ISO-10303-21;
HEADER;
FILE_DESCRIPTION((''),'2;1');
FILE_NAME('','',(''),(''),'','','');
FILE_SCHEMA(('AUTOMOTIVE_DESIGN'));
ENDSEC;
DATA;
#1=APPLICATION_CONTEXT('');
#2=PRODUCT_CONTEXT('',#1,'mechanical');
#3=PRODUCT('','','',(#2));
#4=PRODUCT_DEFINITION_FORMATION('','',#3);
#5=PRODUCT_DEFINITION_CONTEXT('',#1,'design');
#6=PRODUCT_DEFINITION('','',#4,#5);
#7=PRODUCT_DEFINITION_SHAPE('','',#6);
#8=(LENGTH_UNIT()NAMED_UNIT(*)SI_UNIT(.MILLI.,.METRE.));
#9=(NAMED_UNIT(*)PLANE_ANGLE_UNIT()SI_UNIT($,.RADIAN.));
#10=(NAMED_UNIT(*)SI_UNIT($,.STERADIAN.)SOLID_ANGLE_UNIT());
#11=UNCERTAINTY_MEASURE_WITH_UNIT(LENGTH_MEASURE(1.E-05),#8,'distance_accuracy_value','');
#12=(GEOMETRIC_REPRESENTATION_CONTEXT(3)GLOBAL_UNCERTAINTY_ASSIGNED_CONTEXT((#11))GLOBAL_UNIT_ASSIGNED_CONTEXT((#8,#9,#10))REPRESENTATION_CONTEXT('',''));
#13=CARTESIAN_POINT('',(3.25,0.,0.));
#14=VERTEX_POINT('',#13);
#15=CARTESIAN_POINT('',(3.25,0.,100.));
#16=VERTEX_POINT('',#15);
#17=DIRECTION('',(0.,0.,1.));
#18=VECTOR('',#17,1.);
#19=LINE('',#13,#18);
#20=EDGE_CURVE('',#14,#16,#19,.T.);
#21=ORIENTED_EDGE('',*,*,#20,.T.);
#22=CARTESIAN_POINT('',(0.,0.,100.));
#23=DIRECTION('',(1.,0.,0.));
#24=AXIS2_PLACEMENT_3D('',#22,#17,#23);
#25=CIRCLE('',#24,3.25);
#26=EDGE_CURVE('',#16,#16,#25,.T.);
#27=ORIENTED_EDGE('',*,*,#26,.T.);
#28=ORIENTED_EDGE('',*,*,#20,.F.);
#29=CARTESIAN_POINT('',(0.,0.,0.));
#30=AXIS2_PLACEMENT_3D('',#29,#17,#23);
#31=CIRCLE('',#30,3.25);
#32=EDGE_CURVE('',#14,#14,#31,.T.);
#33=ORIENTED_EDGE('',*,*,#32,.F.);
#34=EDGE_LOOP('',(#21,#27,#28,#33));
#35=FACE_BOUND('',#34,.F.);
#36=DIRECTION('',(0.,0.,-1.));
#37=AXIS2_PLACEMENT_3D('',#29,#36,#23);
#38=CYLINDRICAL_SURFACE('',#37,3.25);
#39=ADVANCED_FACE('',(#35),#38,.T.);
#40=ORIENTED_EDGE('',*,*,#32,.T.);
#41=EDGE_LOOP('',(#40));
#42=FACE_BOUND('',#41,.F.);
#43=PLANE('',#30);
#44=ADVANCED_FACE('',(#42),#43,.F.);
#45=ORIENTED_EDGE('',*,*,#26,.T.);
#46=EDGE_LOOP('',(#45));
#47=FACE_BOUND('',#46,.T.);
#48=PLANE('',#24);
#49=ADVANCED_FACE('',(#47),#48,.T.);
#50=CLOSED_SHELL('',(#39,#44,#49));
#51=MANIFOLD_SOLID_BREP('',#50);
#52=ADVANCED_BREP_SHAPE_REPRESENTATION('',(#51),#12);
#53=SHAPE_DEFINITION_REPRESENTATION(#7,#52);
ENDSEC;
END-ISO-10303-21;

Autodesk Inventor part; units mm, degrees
ref_plane "YZ Plane" through (0, 0, 0) normal (1, 0, 0) x (0, 1, 0)
ref_plane "XZ Plane" through (0, 0, 0) normal (0, 1, 0) x (-1, 0, 0)
ref_plane "XY Plane" through (0, 0, 0) normal (0, 0, 1) x (1, 0, 0)
sketch "Sketch2" plane through (0, 0, 0) normal (0, 0, 1) x (1, 0, 0)
  circle A0 centre (0, 0) radius 3.25
  dimension "d2" = 6.5
extrude "Extrusion1" add sketch "Sketch2" along normal blind 100
equation "\"d2\" = R"
equation "\"R\" = 6.5"
equation "\"thickness\" = 5"
equation "\"width\" = 6.5"
equation "\"R1\" = 9"
